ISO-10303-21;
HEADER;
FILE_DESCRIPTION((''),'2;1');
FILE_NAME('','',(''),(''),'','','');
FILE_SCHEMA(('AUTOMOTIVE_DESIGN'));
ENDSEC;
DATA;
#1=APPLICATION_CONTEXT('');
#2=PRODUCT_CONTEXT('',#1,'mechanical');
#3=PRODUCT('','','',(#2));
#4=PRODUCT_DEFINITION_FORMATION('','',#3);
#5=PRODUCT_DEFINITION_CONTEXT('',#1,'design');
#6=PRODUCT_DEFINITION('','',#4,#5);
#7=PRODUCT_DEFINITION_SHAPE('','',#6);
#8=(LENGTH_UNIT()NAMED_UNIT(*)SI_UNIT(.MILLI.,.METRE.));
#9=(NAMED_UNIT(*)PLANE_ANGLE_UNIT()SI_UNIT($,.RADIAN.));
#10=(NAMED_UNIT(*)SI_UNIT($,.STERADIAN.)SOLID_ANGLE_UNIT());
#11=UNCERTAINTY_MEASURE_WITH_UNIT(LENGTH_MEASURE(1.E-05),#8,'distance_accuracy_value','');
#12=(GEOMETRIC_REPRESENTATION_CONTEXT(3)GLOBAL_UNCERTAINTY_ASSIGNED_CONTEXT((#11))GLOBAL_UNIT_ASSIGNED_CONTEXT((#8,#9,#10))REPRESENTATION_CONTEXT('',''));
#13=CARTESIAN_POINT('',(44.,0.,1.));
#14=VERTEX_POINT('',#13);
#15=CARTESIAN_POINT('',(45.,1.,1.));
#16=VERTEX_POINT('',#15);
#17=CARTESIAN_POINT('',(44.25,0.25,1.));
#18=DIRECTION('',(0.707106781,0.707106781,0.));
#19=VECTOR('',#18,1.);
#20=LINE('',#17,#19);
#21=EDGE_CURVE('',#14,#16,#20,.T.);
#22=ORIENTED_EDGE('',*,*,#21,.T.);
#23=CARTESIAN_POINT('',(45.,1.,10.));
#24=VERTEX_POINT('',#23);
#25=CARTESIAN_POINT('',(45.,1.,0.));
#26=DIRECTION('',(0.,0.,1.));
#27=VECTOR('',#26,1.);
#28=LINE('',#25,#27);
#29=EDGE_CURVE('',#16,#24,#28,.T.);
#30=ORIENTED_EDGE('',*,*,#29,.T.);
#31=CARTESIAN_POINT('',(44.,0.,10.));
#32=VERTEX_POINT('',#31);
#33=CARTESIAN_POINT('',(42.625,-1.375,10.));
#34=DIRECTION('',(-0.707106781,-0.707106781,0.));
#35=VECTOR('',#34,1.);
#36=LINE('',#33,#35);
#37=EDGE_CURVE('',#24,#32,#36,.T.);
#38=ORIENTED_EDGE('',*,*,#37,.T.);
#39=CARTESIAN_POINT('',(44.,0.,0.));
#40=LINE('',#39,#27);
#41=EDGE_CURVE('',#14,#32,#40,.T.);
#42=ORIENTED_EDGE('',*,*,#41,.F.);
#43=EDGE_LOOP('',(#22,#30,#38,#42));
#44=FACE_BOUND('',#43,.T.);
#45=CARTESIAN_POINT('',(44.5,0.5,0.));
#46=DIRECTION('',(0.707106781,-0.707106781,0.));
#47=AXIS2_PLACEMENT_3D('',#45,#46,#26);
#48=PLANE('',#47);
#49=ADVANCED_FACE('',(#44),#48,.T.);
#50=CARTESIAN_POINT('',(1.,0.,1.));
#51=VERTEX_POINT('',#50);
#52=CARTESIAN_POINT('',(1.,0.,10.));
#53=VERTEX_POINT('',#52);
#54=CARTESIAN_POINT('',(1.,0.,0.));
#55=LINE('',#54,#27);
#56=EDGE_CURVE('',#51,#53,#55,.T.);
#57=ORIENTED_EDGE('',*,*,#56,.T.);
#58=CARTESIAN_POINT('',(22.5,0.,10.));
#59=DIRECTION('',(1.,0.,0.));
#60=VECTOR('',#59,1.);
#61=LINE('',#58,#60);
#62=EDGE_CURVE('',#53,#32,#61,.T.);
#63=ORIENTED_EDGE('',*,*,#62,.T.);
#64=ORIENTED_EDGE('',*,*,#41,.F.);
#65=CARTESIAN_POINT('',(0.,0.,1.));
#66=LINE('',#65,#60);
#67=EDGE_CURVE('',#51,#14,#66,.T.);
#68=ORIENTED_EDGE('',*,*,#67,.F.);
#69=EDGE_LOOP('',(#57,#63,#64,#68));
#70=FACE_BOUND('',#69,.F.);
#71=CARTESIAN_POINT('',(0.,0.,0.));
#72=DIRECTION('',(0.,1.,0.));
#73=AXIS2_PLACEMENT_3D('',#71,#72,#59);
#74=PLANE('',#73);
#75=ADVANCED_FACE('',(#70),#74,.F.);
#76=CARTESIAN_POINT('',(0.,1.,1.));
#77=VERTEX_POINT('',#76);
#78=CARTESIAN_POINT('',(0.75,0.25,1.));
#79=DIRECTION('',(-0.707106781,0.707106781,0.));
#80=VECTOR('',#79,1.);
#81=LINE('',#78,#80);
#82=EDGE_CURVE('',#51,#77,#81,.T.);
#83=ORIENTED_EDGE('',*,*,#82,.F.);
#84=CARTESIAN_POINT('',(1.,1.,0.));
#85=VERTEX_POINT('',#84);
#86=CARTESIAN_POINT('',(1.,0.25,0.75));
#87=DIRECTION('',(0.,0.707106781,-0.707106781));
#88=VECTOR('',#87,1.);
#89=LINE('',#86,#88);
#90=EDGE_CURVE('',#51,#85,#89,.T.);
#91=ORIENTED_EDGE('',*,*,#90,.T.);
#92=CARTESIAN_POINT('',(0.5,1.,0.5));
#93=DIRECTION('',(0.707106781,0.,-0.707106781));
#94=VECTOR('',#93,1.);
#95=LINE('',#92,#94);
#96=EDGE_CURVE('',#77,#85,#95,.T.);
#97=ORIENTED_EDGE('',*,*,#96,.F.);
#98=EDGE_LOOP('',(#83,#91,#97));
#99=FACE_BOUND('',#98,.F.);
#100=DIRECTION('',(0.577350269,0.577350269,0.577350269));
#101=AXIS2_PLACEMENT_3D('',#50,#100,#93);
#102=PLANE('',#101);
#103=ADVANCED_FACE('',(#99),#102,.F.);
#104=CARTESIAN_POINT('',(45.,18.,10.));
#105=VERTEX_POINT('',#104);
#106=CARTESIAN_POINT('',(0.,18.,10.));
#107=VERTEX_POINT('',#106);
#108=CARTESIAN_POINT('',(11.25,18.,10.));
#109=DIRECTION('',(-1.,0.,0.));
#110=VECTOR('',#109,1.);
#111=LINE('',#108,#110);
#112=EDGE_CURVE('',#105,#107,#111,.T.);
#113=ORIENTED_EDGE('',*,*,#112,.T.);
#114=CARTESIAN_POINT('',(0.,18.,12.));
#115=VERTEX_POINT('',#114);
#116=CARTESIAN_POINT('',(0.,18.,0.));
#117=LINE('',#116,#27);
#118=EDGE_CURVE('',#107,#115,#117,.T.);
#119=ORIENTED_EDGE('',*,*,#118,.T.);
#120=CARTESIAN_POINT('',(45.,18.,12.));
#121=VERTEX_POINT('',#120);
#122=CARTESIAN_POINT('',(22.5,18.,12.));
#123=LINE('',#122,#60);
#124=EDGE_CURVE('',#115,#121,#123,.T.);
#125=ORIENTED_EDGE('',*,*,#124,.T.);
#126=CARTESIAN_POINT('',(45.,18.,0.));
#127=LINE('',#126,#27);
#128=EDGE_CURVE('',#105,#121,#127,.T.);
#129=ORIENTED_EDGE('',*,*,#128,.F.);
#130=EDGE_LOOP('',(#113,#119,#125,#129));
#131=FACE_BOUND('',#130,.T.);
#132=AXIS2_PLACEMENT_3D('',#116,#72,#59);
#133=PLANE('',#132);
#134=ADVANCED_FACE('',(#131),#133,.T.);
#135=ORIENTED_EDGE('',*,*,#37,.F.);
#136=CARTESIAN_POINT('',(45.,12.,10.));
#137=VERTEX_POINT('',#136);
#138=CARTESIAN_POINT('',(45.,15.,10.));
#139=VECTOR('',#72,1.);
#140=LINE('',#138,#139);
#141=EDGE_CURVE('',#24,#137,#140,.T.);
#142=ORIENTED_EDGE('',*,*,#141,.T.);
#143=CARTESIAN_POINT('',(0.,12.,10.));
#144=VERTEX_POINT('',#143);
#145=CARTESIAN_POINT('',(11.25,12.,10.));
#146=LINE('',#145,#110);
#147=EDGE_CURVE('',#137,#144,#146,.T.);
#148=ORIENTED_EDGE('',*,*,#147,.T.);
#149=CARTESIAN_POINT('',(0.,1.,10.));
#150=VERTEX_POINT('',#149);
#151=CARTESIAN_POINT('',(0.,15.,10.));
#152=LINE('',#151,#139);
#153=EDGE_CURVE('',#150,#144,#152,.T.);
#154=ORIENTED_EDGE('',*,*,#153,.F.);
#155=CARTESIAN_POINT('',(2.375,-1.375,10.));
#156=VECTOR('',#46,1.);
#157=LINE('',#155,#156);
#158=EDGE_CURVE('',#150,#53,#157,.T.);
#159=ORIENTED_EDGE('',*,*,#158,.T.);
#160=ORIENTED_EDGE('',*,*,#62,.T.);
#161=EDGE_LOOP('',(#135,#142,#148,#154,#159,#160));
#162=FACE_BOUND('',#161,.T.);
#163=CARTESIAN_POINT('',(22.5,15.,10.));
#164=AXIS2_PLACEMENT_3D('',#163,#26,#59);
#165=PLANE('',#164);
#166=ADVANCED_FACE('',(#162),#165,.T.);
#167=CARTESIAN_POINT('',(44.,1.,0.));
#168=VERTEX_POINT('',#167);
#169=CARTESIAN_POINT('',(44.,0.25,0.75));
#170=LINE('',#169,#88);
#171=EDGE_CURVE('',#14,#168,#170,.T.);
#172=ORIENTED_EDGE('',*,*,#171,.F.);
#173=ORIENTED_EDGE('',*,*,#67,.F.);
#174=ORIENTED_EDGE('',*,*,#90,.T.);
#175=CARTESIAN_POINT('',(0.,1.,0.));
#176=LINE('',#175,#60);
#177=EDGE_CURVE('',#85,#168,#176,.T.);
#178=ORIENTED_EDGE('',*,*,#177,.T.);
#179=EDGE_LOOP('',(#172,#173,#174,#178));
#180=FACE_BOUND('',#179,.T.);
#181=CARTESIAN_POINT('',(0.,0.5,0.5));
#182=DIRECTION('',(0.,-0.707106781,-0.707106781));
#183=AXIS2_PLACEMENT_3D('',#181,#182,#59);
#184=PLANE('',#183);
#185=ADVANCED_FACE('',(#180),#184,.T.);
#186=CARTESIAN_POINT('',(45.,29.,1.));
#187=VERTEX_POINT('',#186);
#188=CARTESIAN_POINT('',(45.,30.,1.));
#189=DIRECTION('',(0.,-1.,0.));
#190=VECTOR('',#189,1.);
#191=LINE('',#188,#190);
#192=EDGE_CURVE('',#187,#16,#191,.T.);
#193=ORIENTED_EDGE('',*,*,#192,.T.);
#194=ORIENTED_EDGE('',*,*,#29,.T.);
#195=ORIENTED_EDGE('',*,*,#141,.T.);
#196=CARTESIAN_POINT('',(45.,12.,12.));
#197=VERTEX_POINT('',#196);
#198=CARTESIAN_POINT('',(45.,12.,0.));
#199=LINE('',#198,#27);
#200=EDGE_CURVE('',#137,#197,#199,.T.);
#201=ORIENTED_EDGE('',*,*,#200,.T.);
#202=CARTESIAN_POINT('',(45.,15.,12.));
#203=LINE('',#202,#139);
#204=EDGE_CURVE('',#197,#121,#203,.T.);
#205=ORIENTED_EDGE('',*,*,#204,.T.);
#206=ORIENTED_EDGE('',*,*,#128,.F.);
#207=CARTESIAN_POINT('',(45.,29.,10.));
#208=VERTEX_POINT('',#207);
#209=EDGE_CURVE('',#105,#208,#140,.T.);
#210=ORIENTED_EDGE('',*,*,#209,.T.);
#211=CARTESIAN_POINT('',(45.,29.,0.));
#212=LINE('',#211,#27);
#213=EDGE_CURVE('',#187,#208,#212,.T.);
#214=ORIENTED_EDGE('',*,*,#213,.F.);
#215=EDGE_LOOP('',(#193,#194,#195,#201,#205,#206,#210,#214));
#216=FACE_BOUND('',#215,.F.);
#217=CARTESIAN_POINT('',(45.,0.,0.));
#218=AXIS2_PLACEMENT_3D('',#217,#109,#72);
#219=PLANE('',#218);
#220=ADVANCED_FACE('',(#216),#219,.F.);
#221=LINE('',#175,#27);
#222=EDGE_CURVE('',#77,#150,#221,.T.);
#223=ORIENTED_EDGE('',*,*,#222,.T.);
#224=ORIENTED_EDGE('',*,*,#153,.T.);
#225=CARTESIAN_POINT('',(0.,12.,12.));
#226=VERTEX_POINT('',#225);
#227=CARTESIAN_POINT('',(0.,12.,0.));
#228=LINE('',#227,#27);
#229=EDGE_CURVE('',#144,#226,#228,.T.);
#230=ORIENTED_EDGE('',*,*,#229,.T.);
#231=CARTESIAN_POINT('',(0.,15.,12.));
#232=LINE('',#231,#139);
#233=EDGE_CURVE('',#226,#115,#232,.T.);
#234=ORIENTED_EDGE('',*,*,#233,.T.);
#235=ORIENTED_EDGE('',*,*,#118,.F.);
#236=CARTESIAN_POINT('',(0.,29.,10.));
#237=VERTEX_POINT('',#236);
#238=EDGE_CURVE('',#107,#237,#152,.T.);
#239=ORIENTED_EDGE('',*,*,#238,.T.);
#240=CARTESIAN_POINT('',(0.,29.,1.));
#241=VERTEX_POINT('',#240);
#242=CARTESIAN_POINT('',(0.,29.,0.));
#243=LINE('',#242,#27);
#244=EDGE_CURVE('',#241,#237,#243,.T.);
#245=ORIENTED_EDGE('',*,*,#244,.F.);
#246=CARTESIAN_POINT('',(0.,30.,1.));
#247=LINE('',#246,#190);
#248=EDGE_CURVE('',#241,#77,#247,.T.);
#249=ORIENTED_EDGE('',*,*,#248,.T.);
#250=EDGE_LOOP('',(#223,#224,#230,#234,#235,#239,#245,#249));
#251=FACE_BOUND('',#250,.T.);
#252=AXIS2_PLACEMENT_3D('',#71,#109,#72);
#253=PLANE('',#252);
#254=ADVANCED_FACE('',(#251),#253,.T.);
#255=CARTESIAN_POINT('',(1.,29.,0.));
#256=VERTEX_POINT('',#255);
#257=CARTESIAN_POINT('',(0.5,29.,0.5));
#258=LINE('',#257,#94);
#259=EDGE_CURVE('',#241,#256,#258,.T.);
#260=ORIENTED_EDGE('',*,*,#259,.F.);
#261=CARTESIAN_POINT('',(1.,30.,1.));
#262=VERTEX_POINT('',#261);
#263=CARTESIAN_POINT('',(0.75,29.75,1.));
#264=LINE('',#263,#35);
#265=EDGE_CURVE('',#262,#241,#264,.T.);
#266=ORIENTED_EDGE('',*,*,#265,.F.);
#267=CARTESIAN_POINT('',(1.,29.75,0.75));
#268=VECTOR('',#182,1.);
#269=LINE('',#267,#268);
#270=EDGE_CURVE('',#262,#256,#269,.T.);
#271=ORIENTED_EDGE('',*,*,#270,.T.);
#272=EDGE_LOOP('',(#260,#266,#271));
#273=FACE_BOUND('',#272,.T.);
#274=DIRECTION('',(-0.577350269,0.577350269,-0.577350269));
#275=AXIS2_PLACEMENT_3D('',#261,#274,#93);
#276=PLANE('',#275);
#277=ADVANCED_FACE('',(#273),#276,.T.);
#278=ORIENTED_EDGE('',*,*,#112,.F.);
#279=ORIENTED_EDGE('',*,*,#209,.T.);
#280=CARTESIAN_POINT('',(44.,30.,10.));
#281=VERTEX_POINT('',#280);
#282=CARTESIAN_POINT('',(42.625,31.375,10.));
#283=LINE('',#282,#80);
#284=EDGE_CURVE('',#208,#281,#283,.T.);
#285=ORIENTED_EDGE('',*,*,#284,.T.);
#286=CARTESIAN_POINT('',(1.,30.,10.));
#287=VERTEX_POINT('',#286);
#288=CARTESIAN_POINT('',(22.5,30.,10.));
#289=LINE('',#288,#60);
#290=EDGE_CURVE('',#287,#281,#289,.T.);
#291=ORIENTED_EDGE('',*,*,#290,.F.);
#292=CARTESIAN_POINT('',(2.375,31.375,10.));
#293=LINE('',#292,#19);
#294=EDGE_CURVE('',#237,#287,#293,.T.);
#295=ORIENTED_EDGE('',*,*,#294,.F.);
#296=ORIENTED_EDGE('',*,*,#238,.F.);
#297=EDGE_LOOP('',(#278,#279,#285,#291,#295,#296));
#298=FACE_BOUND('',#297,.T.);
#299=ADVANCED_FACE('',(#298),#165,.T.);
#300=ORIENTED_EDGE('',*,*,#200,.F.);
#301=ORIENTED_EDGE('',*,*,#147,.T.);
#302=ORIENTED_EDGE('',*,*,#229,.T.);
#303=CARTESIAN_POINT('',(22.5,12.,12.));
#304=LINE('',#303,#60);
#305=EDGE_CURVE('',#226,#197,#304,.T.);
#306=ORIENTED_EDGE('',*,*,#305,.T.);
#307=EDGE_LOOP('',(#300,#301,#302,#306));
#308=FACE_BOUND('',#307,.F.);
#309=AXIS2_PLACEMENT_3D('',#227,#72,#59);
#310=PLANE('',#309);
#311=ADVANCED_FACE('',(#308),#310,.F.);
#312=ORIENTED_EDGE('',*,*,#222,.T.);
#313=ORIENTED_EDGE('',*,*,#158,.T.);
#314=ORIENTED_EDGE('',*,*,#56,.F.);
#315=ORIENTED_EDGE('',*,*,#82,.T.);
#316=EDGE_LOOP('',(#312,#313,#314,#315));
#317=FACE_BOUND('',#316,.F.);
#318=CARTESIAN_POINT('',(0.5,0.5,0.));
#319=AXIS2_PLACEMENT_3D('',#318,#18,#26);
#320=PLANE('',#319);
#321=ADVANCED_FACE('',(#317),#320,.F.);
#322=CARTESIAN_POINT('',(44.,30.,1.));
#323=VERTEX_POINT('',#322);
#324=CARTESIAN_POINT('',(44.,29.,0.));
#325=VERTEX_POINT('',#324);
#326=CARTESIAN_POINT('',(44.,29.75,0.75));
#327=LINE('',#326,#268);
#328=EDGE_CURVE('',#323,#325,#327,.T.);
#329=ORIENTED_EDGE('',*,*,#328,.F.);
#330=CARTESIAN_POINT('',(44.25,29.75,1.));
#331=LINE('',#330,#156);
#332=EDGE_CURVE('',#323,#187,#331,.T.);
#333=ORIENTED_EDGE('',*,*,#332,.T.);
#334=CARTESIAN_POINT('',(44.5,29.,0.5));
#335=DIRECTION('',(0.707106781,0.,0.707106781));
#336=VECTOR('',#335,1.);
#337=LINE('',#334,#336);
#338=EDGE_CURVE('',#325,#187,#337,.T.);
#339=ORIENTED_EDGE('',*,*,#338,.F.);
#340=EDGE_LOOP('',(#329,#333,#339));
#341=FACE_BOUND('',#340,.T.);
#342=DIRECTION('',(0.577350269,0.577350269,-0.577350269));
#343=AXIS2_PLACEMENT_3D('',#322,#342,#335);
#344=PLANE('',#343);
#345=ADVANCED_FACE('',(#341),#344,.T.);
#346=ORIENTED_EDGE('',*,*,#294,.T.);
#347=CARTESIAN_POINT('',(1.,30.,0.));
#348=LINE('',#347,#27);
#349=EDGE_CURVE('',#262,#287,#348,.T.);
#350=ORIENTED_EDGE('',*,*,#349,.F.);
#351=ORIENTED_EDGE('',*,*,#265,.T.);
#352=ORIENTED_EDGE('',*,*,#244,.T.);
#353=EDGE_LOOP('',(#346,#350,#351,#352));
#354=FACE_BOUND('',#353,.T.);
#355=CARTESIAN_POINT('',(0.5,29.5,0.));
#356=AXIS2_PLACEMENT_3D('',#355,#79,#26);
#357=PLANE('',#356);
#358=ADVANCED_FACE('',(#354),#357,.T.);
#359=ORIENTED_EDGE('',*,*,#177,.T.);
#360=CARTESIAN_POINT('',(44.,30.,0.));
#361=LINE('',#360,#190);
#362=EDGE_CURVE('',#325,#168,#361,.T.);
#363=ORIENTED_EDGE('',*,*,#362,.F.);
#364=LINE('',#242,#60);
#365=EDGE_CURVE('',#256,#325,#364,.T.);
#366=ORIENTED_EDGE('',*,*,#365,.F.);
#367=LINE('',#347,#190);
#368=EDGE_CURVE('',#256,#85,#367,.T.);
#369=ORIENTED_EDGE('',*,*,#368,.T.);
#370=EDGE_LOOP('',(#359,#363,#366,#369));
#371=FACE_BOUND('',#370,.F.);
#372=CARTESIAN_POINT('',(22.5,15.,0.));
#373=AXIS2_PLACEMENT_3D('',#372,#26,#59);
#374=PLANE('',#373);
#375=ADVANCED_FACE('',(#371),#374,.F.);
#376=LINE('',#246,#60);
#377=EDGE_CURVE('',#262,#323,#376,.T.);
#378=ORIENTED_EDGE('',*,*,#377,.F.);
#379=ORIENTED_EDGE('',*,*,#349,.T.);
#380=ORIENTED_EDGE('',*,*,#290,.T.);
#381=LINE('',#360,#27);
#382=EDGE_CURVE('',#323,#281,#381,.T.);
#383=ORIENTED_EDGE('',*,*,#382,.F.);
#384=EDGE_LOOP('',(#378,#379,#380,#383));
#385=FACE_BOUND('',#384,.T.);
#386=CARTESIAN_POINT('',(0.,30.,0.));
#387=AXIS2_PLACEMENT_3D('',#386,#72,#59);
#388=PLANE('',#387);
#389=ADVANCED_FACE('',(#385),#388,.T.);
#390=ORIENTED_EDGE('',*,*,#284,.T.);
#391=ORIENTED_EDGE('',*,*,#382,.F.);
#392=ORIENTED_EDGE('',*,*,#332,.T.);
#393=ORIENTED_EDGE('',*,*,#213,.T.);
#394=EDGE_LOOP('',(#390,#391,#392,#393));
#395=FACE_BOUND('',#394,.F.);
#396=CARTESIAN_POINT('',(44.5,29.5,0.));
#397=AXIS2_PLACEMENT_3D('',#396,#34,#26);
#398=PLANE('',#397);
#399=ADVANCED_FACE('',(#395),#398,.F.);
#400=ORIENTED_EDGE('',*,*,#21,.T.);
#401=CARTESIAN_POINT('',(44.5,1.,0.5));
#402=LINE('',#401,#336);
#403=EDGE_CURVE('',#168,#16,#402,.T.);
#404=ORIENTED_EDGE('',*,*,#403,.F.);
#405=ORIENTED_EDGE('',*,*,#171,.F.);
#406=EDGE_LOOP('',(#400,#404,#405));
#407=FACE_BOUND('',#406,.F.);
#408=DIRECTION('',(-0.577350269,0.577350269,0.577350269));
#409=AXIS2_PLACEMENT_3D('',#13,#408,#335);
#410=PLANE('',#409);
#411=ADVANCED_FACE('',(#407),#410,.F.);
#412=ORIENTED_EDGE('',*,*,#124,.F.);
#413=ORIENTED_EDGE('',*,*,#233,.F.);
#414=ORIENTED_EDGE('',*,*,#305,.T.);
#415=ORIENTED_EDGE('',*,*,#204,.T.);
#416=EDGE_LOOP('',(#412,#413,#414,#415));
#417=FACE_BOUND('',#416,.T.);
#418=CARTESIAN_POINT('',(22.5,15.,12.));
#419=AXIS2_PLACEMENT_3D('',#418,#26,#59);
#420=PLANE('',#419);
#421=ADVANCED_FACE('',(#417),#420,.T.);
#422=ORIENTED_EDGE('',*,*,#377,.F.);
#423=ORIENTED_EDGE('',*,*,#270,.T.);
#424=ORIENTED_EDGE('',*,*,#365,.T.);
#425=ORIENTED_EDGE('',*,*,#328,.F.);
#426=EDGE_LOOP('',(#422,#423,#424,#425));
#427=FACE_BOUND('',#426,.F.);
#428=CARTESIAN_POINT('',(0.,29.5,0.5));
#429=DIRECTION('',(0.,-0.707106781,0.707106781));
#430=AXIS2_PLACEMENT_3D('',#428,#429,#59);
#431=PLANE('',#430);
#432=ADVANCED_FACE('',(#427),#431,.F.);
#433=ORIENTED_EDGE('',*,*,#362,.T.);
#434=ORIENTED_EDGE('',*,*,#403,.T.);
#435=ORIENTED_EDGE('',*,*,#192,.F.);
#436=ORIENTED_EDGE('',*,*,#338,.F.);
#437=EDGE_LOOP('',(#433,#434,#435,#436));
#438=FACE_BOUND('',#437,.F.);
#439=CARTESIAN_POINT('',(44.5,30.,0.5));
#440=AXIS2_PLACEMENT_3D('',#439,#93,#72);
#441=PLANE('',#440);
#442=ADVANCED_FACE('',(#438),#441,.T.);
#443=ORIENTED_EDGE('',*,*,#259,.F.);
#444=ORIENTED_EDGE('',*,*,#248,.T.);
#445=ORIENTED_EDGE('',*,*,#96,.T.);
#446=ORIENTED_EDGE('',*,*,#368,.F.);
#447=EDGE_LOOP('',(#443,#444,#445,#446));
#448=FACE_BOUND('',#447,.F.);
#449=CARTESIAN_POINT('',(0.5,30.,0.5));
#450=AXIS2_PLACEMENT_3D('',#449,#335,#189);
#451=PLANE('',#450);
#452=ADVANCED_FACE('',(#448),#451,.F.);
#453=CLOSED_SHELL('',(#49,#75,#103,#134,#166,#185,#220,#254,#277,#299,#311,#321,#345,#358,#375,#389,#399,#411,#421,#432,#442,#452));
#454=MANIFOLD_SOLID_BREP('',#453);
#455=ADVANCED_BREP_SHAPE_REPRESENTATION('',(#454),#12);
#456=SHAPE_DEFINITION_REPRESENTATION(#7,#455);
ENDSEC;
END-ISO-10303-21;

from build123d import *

# Parameters (mm, degrees)
BOX004_W        = 45
BOX004_H        = 6
BOX004_DEPTH    = 12
BOX005_W        = 45
BOX005_H        = 30
BOX005_DEPTH    = 10
CHAMFER001_SIZE = 1


with BuildPart() as cube004:
    # Box004 → Box004 (new body)
    with BuildSketch(Plane(origin=(0, 12, 0), x_dir=(1, 0, 0), z_dir=(0, 0, 1))):
        with Locations((22.5, 3)):
            Rectangle(BOX004_W, BOX004_H)
    extrude(amount=BOX004_DEPTH)


with BuildPart() as f_45_spacer:
    # Box005 → Box005 (new body)
    with BuildSketch(Plane.XY):
        with Locations((22.5, 15)):
            Rectangle(BOX005_W, BOX005_H)
    extrude(amount=BOX005_DEPTH)

    # Fusion001: union Cube004
    add(cube004.part)

    # Chamfer001
    chamfer001_edges = [f_45_spacer.edges().sort_by_distance(p)[0] for p in [
        (0, 6, 0),
        (0, 0, 5),
        (0, 15, 0),
        (45, 6, 0),
        (22.5, 0, 0),
        (45, 0, 5),
        (0, 30, 5),
        (0, 24, 0),
        (45, 15, 0),
        (22.5, 30, 0),
        (45, 30, 5),
        (45, 24, 0),
    ]]
    chamfer(chamfer001_edges, length=CHAMFER001_SIZE)


solid = f_45_spacer.part
